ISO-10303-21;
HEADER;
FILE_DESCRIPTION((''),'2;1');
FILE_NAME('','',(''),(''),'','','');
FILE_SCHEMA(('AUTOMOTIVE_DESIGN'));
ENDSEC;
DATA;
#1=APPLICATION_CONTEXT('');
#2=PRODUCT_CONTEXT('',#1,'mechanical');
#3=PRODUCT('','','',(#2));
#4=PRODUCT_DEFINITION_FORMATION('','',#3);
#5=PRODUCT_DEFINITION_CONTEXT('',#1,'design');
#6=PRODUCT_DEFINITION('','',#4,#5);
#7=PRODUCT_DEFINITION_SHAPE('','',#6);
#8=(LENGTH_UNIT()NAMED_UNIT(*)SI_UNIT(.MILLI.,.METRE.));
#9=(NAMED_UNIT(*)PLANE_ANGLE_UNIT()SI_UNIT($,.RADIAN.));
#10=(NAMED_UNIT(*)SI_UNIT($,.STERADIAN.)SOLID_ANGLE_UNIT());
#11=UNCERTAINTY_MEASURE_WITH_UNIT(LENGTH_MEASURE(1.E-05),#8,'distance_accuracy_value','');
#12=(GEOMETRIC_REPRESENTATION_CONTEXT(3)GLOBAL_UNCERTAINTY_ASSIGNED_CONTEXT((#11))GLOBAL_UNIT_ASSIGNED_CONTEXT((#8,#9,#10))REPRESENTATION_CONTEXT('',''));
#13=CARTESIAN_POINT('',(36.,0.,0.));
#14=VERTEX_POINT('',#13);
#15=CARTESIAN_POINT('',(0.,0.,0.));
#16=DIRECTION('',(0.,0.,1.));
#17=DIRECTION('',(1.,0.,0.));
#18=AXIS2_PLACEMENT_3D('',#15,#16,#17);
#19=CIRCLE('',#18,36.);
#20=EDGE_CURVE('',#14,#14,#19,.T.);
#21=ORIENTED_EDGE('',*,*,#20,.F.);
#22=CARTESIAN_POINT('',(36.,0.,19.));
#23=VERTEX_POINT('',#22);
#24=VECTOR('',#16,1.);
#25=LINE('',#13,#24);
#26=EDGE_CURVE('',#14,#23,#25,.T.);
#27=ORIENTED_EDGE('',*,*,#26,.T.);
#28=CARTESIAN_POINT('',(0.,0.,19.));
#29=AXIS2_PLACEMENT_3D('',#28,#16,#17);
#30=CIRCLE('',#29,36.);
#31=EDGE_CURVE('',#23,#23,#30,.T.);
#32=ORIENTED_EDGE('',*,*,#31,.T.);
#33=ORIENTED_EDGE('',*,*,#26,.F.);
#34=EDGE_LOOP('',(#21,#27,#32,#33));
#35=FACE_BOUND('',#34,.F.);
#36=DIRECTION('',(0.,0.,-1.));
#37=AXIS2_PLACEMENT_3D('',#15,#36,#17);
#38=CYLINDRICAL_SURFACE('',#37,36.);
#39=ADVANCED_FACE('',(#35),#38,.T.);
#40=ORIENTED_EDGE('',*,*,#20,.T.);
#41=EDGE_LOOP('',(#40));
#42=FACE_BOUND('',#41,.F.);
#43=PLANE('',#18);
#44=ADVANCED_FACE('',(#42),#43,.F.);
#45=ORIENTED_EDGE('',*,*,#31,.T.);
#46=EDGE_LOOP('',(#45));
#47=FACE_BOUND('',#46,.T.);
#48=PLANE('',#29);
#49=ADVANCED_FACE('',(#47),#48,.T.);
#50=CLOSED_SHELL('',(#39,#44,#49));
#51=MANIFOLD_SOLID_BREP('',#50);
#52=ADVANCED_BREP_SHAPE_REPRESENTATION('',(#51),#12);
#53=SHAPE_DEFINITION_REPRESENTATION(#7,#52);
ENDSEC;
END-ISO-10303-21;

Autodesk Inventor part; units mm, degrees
ref_plane "YZ Plane" through (0, 0, 0) normal (1, 0, 0) x (0, 1, 0)
ref_plane "XZ Plane" through (0, 0, 0) normal (0, 1, 0) x (-1, 0, 0)
ref_plane "XY Plane" through (0, 0, 0) normal (0, 0, 1) x (1, 0, 0)
sketch "Sketch1" plane through (0, 0, 0) normal (0, 0, 1) x (1, 0, 0)
  circle A0 centre (0, 0) radius 36
  dimension "d0" = 72
extrude "Extrusion1" add sketch "Sketch1" along normal blind 19
properties part number "LIdar_p1"
